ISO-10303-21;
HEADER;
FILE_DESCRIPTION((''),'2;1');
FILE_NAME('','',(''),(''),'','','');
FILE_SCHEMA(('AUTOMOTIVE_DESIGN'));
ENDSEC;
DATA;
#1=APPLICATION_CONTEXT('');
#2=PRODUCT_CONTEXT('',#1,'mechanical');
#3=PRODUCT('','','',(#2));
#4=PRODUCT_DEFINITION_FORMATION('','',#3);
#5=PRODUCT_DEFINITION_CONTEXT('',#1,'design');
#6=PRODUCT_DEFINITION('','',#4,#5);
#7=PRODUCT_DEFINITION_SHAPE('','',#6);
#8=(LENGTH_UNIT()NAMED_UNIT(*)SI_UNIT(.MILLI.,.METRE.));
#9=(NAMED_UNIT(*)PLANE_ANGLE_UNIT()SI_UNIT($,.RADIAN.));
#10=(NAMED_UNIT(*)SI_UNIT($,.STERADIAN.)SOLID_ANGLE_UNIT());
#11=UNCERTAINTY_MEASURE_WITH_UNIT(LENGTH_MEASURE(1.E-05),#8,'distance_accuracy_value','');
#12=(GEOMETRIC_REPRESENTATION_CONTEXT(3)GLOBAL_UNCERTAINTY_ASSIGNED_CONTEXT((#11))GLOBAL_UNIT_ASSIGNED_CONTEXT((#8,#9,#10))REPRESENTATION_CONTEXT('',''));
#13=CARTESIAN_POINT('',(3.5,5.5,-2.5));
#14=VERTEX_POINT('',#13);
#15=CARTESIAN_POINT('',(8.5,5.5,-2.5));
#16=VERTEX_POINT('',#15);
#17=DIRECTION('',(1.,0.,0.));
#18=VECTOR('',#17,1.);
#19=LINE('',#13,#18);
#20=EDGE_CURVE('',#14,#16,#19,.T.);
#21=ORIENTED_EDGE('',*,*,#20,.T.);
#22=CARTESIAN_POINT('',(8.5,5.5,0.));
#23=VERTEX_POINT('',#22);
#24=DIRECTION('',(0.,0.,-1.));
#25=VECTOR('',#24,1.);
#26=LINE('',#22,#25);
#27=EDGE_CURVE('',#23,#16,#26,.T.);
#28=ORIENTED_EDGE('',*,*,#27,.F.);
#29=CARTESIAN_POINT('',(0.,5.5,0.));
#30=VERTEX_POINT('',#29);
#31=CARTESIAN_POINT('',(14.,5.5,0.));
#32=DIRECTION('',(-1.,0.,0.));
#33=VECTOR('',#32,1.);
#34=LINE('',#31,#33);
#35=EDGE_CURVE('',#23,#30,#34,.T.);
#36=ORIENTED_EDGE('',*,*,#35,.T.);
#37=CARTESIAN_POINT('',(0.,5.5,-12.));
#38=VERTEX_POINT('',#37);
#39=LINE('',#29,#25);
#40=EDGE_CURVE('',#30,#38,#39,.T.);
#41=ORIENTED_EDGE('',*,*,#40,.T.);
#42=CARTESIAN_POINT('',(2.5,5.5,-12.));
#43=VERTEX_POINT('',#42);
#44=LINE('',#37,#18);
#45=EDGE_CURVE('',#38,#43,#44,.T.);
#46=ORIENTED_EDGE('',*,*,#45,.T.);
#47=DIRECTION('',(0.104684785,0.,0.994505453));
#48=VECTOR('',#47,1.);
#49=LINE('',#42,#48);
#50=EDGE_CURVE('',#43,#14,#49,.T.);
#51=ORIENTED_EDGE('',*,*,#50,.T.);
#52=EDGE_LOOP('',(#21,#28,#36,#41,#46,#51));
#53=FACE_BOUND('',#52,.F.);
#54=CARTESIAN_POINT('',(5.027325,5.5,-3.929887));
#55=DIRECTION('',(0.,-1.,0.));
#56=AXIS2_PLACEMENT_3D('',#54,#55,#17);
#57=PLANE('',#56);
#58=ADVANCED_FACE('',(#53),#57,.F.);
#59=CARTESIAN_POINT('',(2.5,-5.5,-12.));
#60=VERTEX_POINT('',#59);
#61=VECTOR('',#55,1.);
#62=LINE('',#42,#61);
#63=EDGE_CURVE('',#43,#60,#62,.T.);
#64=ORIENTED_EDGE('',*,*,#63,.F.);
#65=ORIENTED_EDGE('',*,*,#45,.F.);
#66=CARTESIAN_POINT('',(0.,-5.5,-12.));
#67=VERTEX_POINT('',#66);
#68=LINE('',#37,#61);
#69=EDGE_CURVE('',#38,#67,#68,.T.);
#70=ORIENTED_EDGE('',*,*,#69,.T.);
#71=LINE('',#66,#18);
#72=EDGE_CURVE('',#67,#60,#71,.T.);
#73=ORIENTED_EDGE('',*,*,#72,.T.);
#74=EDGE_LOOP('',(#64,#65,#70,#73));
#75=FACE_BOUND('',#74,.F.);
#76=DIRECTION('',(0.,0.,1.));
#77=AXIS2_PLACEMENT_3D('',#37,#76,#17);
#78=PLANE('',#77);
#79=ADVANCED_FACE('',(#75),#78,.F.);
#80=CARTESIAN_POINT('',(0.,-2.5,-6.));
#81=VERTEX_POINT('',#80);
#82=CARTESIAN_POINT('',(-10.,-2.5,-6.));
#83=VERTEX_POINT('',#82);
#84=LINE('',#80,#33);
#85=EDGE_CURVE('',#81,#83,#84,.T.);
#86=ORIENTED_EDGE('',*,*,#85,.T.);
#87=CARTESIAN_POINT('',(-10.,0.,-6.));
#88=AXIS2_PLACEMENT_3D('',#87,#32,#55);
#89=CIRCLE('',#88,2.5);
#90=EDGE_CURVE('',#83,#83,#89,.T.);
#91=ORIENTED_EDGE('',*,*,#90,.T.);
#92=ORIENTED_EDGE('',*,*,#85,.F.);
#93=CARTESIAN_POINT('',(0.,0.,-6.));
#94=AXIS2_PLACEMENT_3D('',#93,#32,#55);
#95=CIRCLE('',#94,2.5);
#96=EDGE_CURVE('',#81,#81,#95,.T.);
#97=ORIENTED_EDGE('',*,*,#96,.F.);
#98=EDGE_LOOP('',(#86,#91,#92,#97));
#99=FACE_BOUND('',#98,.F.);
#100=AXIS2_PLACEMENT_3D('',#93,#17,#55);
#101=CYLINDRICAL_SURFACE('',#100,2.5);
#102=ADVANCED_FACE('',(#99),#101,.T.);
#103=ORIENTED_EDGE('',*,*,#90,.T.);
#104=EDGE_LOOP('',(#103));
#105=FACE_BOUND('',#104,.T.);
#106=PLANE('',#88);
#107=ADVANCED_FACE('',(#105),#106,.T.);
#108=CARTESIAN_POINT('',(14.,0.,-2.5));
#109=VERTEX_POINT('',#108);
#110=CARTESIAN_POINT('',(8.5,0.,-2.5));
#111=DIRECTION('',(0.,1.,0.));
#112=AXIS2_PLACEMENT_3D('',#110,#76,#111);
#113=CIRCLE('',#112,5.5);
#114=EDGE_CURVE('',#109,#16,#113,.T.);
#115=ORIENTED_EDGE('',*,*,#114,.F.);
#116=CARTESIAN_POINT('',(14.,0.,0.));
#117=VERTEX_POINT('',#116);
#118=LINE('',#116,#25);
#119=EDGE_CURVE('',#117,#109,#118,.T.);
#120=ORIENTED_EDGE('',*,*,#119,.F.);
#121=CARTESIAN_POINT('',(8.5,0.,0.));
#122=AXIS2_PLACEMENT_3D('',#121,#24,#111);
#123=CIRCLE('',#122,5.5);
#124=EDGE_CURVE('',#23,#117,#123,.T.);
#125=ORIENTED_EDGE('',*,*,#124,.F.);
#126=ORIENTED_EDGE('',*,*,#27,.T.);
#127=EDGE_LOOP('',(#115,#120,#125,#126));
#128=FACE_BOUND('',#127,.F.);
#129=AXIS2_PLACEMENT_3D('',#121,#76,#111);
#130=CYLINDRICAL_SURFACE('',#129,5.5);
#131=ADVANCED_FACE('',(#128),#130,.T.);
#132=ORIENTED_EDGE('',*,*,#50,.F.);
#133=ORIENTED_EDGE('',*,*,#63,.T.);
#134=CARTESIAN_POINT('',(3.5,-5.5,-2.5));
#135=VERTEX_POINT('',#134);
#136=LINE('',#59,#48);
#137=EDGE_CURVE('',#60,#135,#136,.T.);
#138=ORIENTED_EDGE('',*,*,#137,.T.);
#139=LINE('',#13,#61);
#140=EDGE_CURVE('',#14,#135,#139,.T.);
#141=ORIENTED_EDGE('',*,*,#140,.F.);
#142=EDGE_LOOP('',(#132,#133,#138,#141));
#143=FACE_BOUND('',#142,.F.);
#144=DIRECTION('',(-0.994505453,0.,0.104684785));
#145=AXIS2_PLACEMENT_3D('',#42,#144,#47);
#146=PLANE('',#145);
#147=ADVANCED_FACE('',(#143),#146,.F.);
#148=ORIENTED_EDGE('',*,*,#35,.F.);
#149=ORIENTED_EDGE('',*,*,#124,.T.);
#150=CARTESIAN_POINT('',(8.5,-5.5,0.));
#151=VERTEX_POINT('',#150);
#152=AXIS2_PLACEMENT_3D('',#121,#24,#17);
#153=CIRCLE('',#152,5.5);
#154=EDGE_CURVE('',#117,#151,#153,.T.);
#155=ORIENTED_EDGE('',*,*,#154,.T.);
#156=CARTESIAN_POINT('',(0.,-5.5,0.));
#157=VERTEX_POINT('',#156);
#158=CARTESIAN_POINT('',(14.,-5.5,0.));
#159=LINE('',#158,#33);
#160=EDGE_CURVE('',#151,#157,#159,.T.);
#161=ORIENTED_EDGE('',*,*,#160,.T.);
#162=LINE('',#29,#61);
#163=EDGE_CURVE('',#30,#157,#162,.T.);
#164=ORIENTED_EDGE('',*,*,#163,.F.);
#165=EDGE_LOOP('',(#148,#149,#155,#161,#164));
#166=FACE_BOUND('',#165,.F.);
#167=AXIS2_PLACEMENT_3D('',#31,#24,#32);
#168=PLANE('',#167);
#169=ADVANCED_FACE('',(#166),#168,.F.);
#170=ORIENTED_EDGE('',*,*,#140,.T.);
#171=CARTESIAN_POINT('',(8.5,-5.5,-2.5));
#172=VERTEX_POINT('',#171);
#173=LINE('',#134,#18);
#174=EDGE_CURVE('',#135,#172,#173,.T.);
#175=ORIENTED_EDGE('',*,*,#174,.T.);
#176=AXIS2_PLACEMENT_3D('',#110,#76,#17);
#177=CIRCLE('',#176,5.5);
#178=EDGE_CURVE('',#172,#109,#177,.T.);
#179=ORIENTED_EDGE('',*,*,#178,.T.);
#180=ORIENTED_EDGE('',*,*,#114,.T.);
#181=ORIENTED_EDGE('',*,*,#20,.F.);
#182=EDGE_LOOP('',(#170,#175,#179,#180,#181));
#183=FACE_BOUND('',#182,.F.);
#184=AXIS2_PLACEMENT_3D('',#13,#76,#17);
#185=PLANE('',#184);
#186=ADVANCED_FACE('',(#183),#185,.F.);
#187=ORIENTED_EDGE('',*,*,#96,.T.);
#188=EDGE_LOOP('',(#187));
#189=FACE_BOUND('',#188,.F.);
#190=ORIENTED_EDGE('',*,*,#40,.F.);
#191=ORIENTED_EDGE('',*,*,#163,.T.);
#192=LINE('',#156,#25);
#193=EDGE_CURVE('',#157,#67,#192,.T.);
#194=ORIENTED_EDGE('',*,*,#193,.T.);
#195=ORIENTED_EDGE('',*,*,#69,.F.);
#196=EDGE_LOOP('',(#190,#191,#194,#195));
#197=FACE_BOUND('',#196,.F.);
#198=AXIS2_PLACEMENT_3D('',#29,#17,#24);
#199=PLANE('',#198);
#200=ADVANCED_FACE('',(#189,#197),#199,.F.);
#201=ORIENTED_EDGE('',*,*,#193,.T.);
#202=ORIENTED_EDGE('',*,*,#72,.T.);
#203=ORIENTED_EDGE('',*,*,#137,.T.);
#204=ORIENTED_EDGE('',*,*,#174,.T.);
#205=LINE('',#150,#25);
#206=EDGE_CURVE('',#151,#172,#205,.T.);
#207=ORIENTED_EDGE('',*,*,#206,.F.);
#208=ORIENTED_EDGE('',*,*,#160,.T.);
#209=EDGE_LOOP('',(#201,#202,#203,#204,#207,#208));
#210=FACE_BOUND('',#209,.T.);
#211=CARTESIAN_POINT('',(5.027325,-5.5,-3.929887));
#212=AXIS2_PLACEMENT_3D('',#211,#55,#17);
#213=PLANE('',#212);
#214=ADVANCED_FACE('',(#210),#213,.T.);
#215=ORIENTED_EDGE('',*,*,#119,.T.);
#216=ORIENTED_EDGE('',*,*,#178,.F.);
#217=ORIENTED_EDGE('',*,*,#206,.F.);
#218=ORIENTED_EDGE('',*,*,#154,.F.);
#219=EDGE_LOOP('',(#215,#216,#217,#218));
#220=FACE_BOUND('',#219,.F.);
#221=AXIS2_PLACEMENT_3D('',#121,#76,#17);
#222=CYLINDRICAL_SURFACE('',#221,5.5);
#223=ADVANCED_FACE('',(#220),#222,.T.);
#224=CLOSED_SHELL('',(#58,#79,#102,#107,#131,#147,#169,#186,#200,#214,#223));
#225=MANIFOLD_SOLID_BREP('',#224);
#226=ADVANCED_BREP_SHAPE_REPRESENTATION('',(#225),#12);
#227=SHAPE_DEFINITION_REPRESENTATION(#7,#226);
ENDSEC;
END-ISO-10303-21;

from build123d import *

# Parameters (mm, degrees)
F1_DEPTH = 11
F4_DEPTH = 12.001
F5_R     = 2.5
F6_DEPTH = 10


with BuildPart() as f1:
    # F0 (on Front) → F1 (new body)
    with BuildSketch(Plane.XZ):
        Polygon((14, 0), (0, 0), (0, -12), (2.5, -12), (3.5, -2.5), (14, -2.5), align=None)
    extrude(amount=F1_DEPTH)


with BuildPart() as f1_1:
    # F2: moved
    add(f1.part.moved(Location((0, 5.5, 0))))

    # F3 (on face) → F4 (cut, through all)
    with BuildSketch(Plane.XY):
        with BuildLine():
            ThreePointArc((8.5, 5.5), (12.3890872965, 3.8890872965), (14, 0))
            Line((14, 0), (14, 5.5))
            Line((14, 5.5), (8.5, 5.5))
        make_face()
        with BuildLine():
            ThreePointArc((14, 0), (12.3890872965, -3.8890872965), (8.5, -5.5))
            Line((8.5, -5.5), (14, -5.5))
            Line((14, -5.5), (14, 0))
        make_face()
    extrude(amount=-F4_DEPTH, mode=Mode.SUBTRACT)

    # F5 (on face) → F6 (join)
    with BuildSketch(Plane(origin=(0, 0, 0), x_dir=(0, -1, 0), z_dir=(-1, 0, 0))):
        with Locations((0, -6)):
            Circle(F5_R)
    extrude(amount=F6_DEPTH)


solid = f1_1.part
